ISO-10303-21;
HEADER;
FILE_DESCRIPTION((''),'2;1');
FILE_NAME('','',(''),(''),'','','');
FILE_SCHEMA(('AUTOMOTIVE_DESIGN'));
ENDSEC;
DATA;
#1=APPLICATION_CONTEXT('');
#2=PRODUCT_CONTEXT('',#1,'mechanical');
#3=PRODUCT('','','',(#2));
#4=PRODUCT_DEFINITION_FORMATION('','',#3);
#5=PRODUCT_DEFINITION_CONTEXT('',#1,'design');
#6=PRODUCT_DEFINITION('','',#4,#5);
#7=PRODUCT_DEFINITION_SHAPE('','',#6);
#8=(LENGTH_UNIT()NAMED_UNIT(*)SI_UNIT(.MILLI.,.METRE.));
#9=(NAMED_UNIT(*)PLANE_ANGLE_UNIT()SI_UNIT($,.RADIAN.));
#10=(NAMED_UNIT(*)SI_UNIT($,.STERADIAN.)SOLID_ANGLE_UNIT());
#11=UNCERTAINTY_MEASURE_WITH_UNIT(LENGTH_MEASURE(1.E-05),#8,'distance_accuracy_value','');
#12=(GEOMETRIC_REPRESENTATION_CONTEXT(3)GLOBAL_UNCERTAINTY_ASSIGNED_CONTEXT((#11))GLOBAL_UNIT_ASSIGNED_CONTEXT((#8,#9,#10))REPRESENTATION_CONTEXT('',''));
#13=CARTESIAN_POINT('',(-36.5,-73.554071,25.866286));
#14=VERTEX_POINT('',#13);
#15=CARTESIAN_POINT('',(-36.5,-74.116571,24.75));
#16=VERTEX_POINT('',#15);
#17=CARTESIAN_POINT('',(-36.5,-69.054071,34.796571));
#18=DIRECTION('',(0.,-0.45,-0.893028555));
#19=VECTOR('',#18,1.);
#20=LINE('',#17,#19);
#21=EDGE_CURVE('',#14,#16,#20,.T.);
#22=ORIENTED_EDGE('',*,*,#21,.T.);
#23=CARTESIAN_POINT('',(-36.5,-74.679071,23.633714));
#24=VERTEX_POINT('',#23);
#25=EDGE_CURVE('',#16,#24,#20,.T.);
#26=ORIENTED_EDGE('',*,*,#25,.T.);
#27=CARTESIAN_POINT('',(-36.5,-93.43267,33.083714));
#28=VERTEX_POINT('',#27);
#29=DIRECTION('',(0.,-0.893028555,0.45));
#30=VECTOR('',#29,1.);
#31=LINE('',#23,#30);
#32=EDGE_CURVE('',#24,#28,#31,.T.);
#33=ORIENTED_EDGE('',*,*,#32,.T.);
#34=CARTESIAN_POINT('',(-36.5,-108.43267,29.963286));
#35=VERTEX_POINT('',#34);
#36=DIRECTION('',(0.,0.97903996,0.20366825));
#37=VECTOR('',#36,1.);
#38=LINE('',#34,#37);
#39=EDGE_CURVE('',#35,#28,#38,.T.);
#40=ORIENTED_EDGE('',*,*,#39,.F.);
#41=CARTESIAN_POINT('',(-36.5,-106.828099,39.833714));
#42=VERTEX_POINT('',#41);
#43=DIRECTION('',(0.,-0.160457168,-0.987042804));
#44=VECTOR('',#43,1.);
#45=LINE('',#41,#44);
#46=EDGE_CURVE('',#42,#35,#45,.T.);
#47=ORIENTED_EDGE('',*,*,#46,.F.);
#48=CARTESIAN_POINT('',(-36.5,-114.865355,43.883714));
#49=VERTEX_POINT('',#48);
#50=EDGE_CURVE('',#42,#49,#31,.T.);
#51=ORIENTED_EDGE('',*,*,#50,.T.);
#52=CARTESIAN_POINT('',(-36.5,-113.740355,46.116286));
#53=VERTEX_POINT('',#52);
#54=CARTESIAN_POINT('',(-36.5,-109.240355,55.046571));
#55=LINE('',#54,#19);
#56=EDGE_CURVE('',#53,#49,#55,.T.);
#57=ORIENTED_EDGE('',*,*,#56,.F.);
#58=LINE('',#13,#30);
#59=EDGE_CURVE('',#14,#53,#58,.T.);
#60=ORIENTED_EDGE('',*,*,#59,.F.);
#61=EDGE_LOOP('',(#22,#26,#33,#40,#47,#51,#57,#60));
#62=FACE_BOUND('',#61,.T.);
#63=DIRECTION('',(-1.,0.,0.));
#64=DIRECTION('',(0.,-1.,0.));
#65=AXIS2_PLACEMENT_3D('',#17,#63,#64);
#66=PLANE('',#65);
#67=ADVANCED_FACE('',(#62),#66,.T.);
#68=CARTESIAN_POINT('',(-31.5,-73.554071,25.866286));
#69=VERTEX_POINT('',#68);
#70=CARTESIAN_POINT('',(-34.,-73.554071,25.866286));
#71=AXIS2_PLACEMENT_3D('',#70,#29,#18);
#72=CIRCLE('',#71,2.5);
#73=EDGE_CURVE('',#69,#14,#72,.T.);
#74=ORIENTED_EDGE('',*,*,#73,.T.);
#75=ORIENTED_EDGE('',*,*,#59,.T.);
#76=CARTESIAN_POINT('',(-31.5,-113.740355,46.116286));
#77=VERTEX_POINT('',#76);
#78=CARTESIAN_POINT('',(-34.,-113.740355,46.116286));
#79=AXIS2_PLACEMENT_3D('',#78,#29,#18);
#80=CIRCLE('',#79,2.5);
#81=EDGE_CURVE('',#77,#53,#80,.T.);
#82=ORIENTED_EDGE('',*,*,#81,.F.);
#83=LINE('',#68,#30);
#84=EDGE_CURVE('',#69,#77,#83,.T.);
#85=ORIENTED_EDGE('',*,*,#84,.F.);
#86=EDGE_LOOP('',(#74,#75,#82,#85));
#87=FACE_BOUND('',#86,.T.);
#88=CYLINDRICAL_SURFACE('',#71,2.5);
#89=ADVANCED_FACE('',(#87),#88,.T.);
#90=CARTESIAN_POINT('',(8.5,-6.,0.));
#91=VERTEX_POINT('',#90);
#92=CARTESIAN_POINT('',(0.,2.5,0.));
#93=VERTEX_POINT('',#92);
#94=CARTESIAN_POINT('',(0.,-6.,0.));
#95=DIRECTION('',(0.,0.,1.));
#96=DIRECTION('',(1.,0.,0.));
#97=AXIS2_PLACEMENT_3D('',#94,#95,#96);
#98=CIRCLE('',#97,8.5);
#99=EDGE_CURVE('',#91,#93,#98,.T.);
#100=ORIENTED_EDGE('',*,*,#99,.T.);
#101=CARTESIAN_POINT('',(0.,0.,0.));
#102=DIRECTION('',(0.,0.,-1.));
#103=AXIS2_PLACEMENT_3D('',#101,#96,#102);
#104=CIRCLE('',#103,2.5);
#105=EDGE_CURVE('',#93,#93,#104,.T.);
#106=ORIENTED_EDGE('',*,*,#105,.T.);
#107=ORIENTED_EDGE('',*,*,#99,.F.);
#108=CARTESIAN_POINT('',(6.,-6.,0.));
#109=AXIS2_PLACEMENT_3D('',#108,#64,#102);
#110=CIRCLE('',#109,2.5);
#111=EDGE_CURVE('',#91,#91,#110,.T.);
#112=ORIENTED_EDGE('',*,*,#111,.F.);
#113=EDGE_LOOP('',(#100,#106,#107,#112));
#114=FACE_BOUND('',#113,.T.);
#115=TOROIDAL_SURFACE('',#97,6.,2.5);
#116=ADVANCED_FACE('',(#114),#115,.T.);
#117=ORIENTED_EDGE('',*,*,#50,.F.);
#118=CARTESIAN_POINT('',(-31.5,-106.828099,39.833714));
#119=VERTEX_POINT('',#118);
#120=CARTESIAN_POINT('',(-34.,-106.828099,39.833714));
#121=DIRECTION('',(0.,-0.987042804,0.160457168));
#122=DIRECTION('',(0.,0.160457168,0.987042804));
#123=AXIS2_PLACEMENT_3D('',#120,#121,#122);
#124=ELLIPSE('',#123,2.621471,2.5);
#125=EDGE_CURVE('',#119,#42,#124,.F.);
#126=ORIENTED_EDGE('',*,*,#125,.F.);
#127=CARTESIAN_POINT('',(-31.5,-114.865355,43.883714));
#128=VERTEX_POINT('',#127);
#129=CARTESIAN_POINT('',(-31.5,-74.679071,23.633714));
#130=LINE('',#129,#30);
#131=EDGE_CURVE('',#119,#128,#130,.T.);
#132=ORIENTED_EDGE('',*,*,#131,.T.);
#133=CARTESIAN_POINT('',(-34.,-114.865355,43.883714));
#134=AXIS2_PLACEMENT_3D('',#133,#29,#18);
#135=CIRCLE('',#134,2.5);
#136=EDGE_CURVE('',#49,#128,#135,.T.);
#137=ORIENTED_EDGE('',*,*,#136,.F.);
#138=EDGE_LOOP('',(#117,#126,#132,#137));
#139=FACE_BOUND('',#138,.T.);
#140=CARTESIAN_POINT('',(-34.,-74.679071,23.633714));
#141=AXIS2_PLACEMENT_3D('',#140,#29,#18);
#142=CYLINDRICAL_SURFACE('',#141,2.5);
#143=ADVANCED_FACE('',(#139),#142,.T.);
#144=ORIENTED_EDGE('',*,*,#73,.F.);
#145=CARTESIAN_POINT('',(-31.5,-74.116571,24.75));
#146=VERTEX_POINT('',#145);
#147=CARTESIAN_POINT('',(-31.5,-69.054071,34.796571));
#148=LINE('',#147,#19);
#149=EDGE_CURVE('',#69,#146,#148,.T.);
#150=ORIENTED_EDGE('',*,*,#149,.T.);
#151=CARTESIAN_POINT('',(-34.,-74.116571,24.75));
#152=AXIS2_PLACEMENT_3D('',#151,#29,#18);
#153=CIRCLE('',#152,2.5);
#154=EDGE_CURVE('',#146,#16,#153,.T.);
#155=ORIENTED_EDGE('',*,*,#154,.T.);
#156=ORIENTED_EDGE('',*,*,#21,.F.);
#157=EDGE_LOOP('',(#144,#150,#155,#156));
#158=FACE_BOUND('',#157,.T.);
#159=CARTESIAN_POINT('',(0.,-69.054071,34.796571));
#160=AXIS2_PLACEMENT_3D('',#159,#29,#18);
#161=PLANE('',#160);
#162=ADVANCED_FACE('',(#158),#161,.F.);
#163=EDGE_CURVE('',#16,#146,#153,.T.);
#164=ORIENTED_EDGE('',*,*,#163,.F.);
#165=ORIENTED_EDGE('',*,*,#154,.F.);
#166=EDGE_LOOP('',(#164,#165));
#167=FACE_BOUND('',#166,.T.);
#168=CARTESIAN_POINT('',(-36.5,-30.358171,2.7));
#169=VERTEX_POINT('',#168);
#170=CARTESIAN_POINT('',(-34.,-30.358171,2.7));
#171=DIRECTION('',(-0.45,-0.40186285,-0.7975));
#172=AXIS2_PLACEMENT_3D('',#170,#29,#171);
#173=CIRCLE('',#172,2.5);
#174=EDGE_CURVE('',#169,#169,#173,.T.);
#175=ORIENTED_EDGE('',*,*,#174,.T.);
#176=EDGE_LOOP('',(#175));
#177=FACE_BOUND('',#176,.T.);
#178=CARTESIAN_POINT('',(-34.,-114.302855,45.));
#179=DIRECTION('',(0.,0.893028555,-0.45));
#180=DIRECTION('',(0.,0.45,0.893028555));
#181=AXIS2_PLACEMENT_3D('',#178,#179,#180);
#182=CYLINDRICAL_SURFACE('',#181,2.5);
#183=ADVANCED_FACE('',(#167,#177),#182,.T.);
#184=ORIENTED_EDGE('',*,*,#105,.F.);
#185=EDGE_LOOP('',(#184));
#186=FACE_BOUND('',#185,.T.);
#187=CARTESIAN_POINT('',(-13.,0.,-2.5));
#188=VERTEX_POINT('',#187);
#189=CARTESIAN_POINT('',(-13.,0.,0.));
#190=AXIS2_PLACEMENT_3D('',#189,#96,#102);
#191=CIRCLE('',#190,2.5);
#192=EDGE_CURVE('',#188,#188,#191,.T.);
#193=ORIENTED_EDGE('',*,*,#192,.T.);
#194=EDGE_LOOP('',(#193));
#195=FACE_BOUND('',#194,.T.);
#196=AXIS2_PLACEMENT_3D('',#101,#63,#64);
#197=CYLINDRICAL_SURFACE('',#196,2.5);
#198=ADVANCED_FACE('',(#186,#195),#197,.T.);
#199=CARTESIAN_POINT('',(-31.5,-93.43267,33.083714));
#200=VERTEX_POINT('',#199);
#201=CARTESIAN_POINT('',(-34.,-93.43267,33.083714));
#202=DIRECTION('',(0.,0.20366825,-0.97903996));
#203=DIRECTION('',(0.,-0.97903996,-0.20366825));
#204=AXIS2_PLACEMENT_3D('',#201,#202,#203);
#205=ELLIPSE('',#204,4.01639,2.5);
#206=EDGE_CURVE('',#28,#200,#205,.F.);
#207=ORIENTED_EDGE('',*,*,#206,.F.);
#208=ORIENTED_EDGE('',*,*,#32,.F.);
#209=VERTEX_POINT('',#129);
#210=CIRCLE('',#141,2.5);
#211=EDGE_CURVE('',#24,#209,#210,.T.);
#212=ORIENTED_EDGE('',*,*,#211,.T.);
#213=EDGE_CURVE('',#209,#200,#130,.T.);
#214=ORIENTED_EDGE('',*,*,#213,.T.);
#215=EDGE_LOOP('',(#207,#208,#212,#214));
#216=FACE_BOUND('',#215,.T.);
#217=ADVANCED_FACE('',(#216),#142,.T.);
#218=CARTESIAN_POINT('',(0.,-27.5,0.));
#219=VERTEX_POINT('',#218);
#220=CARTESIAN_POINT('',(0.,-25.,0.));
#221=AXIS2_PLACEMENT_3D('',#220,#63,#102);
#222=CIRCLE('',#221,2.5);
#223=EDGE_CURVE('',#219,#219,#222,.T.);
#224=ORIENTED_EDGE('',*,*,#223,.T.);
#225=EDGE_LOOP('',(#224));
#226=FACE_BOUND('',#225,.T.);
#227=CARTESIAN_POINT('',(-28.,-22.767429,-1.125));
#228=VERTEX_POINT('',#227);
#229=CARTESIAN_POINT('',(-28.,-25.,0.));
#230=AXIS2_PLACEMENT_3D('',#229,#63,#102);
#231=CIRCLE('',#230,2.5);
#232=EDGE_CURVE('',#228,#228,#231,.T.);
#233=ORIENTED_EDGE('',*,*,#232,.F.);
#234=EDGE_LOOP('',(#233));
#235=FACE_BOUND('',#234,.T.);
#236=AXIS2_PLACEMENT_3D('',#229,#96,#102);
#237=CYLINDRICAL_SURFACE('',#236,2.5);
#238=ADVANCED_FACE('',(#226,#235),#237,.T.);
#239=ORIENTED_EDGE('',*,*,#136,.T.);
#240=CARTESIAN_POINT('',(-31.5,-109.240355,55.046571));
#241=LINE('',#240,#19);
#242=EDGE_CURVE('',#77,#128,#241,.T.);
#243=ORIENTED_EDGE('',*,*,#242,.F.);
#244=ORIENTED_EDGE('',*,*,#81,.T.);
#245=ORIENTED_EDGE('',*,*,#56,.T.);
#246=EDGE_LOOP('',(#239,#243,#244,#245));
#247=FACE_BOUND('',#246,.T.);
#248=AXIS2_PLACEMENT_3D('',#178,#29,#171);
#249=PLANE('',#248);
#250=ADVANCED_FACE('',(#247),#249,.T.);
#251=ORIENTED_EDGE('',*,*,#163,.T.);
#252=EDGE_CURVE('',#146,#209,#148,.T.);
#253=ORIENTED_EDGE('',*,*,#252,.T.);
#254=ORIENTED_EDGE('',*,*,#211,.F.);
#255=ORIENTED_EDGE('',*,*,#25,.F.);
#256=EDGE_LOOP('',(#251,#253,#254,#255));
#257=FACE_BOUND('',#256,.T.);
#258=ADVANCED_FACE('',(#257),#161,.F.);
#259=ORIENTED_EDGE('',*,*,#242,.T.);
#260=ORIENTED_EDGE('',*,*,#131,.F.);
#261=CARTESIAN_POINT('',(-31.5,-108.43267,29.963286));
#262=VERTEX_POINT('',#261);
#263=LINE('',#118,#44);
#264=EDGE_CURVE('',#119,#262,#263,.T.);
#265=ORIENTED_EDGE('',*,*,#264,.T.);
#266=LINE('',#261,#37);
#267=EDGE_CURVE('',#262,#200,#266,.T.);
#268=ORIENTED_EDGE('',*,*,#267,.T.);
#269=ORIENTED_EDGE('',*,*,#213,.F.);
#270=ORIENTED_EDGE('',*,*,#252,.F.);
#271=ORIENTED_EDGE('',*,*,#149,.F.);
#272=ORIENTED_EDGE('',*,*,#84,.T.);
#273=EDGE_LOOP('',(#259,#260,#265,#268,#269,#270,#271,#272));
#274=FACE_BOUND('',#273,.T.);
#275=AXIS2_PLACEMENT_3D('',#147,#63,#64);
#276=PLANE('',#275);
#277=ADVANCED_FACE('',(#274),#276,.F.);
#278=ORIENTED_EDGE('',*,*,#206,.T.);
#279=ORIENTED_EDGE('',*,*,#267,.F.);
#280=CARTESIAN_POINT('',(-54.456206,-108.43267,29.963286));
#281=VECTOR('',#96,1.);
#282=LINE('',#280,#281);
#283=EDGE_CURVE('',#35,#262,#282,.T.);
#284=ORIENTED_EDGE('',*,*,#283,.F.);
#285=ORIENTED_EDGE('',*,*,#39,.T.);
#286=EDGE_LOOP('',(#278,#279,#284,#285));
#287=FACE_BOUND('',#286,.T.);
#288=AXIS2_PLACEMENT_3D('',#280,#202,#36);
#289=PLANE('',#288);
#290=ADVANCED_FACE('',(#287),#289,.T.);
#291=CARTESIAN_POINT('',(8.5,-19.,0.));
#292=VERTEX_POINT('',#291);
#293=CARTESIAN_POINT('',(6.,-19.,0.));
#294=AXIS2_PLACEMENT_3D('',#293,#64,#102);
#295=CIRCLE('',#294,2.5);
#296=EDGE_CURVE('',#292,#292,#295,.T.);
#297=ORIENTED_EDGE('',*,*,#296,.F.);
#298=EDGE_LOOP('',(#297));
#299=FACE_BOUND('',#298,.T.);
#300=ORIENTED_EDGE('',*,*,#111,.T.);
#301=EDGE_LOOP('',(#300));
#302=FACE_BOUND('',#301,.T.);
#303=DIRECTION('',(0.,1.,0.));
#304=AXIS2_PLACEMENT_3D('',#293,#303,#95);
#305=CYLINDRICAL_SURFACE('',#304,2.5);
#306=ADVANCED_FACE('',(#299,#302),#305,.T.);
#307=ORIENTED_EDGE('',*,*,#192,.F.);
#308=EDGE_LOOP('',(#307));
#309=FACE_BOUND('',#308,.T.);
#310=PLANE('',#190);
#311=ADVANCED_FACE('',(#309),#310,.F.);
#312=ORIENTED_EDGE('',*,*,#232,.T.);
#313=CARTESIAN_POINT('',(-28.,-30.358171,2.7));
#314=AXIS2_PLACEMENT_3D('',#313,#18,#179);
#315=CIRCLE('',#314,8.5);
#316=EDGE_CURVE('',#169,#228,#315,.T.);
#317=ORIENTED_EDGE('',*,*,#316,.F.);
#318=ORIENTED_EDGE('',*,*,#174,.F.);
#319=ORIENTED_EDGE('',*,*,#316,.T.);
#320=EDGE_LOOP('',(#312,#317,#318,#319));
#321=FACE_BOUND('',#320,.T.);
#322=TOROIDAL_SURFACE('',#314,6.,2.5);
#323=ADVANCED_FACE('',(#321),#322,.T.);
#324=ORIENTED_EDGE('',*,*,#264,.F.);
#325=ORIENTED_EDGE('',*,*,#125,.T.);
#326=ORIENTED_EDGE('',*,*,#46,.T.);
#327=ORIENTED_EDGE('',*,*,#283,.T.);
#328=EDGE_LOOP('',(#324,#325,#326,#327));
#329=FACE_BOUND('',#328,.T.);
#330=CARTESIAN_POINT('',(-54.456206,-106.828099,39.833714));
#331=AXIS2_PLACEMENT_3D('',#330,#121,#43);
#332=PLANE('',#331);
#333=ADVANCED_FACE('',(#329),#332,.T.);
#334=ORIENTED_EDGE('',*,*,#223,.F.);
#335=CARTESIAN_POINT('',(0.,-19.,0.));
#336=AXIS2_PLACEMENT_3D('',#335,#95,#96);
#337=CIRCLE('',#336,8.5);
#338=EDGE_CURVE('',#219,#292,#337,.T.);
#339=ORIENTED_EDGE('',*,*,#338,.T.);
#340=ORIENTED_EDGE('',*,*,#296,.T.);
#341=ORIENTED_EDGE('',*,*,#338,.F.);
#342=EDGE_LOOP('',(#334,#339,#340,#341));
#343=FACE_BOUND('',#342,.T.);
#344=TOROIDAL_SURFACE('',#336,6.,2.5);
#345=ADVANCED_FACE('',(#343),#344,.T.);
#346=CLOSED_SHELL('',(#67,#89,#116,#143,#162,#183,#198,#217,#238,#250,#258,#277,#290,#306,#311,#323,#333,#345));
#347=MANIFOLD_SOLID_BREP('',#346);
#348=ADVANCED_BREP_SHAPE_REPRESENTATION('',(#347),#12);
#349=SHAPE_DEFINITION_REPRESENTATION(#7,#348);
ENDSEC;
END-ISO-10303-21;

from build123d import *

# Parameters (mm, degrees)
SKETCH3_R           = 2.5
BOSS_EXTRUDE1_DEPTH = 45
BOSS_EXTRUDE2_DEPTH = 5


with BuildPart() as part:
    # Sweep1: sweep along a curve in space
    with BuildLine() as sweep1_path:
        Line((-34, -30.35817133, 2.7), (-34, -114.302855497, 45))
        ThreePointArc((-28, -25, 0), (-32.242640687, -26.569372048, 0.790811691), (-34, -30.35817133, 2.7))
        Line((0, -25, 0), (-28, -25, 0))
        ThreePointArc((0, -25, 0), (4.242640687, -23.242640687, 0), (6, -19, 0))
        Line((6, -6, 0), (6, -19, 0))
        ThreePointArc((0, 0, 0), (4.242640687, -1.757359313, 0), (6, -6, 0))
        Line((0, 0, 0), (-13, 0, 0))
    # Sketch3 → Sweep1 (sweep)
    with BuildSketch(Plane(origin=(-13, 0, 0), x_dir=(0, 0, -1), z_dir=(1, 0, 0))):
        Circle(SKETCH3_R)
    sweep(path=sweep1_path.line)

    # Sketch4 → Boss-Extrude1 (add)
    with BuildSketch(Plane(origin=(0, -109.240355497, 55.046571243), x_dir=(1, 0, 0), z_dir=(0, -0.8930285549745877, 0.45000000000000007))):
        with BuildLine():
            Line((-31.5, -11.25), (-31.5, -10))
            ThreePointArc((-31.5, -10), (-34, -7.5), (-36.5, -10))
            Line((-36.5, -10), (-36.5, -11.25))
            ThreePointArc((-36.5, -11.25), (-34, -8.75), (-31.5, -11.25))
        make_face()
        with BuildLine():
            Line((-31.5, -12.5), (-31.5, -11.25))
            ThreePointArc((-31.5, -11.25), (-34, -13.75), (-36.5, -11.25))
            Line((-36.5, -11.25), (-36.5, -12.5))
            ThreePointArc((-36.5, -12.5), (-34, -15), (-31.5, -12.5))
        make_face()
        with BuildLine():
            ThreePointArc((-36.5, -11.25), (-34, -13.75), (-31.5, -11.25))
            ThreePointArc((-31.5, -11.25), (-34, -8.75), (-36.5, -11.25))
        make_face()
    extrude(amount=-BOSS_EXTRUDE1_DEPTH)

    # Sketch5 → Boss-Extrude2 (add)
    with BuildSketch(Plane(origin=(-31.5, 0, 0), x_dir=(0, 0, -1), z_dir=(1, 0, 0))):
        Polygon((-39.833714306, -106.828098503), (-29.963286264, -108.432670178), (-33.083714306, -93.432670178), align=None)
    extrude(amount=-BOSS_EXTRUDE2_DEPTH)


solid = part.part
